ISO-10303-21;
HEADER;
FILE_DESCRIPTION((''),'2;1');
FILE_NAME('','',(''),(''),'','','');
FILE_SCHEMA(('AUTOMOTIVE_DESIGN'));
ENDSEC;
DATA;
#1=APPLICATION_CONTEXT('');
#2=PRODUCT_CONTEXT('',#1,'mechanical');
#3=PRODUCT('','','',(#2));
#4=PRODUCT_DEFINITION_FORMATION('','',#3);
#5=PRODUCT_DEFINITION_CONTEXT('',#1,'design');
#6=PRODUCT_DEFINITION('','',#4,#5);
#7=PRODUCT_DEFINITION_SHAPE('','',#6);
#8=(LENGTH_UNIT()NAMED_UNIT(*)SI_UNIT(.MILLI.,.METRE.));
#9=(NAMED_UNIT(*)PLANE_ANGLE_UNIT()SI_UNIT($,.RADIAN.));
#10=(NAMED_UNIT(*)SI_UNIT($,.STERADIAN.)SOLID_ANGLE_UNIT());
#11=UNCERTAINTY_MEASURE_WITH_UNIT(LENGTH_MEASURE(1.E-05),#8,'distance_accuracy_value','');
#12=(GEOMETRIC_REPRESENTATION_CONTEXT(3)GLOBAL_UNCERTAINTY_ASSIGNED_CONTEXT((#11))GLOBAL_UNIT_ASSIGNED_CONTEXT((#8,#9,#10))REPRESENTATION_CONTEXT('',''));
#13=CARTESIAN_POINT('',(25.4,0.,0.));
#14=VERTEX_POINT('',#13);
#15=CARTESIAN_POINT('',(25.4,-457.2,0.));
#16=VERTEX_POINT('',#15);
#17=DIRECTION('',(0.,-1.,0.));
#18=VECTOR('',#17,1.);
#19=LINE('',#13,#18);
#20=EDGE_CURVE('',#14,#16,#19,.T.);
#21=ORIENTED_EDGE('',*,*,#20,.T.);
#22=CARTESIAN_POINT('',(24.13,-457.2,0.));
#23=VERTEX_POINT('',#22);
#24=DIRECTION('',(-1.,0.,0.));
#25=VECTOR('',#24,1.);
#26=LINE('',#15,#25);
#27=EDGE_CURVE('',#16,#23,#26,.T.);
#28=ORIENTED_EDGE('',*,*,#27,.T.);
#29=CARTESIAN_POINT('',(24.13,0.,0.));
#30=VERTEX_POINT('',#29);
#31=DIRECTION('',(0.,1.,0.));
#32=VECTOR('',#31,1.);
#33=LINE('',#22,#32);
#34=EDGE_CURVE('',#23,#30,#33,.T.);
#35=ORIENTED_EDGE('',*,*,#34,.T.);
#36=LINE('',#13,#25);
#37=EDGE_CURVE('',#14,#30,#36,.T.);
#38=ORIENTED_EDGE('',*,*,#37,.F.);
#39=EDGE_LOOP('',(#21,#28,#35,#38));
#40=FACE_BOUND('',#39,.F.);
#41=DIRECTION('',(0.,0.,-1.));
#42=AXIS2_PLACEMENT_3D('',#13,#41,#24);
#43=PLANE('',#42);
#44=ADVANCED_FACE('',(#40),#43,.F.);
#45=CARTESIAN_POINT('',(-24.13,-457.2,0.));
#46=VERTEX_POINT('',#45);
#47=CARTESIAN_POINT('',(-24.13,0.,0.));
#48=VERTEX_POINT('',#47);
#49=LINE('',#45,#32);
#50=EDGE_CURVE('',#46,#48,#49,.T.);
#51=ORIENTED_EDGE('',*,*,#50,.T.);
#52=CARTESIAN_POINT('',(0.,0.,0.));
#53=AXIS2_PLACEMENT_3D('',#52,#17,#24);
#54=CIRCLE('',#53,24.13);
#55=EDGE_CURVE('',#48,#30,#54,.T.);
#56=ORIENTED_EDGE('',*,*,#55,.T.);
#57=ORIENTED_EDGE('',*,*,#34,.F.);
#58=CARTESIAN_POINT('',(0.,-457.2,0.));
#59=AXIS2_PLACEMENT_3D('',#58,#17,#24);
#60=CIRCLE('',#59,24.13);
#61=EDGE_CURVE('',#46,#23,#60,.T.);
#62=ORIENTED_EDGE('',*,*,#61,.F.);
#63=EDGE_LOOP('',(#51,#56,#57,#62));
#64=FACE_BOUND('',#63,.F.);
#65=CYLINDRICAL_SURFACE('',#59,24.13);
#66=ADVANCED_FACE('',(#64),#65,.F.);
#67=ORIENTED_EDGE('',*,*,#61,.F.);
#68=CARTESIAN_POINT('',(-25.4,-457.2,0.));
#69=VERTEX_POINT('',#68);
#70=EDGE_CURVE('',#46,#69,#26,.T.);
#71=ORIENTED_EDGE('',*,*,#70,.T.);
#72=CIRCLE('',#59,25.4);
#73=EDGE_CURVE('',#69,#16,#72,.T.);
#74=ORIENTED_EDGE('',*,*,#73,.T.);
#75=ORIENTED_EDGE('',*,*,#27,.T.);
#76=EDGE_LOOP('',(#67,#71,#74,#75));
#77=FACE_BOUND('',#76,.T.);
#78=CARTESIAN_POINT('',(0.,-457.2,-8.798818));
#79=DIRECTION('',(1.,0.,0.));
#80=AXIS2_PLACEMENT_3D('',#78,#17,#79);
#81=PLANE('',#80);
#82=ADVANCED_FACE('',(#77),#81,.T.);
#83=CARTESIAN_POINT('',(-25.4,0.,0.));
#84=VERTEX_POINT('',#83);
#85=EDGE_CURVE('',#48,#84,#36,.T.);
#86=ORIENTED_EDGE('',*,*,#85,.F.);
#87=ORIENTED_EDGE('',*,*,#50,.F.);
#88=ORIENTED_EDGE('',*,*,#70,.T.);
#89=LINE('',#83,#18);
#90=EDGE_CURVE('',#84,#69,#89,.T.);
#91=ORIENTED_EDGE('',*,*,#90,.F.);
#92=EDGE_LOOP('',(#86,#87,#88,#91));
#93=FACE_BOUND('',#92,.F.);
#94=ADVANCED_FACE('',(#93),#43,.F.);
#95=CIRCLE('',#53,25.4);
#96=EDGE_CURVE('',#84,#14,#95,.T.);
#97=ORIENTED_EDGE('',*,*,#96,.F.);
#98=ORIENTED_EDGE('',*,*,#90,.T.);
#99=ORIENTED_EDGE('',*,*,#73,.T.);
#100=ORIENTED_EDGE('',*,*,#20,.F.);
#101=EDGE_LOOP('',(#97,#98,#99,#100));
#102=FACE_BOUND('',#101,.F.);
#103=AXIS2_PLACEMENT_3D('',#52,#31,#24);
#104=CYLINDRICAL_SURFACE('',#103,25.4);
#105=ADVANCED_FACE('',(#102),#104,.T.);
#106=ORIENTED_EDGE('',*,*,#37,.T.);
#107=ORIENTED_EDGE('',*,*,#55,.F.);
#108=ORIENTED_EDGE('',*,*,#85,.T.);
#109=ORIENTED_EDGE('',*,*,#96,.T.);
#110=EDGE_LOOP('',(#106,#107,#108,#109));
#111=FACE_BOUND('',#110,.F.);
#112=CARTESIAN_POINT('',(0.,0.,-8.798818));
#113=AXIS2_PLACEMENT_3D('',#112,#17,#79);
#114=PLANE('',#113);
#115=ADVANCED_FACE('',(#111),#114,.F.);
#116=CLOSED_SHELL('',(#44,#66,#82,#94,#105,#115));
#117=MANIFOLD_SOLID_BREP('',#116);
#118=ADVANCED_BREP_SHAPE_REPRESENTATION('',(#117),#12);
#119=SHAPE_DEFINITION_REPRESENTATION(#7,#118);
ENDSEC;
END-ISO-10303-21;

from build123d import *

# Parameters (mm, degrees)
F1_DEPTH = 457.2
F3_DEPTH = 457.201


with BuildPart() as f1:
    # F0 (on Front) → F1 (new body)
    with BuildSketch(Plane.XZ):
        with BuildLine():
            Line((0, 0), (-25.4, 0))
            ThreePointArc((-25.4, 0), (0, -25.4), (25.4, 0))
            Line((25.4, 0), (0, 0))
        make_face()
    extrude(amount=F1_DEPTH)

    # F2 (on face) → F3 (cut, through all)
    with BuildSketch(Plane.XZ.offset(457.2)):
        with BuildLine():
            Line((19.486204, 0), (-24.13, 0))
            ThreePointArc((-24.13, 0), (0, -24.13), (24.13, 0))
            Line((24.13, 0), (19.486204, 0))
        make_face()
    extrude(amount=-F3_DEPTH, mode=Mode.SUBTRACT)


solid = f1.part
